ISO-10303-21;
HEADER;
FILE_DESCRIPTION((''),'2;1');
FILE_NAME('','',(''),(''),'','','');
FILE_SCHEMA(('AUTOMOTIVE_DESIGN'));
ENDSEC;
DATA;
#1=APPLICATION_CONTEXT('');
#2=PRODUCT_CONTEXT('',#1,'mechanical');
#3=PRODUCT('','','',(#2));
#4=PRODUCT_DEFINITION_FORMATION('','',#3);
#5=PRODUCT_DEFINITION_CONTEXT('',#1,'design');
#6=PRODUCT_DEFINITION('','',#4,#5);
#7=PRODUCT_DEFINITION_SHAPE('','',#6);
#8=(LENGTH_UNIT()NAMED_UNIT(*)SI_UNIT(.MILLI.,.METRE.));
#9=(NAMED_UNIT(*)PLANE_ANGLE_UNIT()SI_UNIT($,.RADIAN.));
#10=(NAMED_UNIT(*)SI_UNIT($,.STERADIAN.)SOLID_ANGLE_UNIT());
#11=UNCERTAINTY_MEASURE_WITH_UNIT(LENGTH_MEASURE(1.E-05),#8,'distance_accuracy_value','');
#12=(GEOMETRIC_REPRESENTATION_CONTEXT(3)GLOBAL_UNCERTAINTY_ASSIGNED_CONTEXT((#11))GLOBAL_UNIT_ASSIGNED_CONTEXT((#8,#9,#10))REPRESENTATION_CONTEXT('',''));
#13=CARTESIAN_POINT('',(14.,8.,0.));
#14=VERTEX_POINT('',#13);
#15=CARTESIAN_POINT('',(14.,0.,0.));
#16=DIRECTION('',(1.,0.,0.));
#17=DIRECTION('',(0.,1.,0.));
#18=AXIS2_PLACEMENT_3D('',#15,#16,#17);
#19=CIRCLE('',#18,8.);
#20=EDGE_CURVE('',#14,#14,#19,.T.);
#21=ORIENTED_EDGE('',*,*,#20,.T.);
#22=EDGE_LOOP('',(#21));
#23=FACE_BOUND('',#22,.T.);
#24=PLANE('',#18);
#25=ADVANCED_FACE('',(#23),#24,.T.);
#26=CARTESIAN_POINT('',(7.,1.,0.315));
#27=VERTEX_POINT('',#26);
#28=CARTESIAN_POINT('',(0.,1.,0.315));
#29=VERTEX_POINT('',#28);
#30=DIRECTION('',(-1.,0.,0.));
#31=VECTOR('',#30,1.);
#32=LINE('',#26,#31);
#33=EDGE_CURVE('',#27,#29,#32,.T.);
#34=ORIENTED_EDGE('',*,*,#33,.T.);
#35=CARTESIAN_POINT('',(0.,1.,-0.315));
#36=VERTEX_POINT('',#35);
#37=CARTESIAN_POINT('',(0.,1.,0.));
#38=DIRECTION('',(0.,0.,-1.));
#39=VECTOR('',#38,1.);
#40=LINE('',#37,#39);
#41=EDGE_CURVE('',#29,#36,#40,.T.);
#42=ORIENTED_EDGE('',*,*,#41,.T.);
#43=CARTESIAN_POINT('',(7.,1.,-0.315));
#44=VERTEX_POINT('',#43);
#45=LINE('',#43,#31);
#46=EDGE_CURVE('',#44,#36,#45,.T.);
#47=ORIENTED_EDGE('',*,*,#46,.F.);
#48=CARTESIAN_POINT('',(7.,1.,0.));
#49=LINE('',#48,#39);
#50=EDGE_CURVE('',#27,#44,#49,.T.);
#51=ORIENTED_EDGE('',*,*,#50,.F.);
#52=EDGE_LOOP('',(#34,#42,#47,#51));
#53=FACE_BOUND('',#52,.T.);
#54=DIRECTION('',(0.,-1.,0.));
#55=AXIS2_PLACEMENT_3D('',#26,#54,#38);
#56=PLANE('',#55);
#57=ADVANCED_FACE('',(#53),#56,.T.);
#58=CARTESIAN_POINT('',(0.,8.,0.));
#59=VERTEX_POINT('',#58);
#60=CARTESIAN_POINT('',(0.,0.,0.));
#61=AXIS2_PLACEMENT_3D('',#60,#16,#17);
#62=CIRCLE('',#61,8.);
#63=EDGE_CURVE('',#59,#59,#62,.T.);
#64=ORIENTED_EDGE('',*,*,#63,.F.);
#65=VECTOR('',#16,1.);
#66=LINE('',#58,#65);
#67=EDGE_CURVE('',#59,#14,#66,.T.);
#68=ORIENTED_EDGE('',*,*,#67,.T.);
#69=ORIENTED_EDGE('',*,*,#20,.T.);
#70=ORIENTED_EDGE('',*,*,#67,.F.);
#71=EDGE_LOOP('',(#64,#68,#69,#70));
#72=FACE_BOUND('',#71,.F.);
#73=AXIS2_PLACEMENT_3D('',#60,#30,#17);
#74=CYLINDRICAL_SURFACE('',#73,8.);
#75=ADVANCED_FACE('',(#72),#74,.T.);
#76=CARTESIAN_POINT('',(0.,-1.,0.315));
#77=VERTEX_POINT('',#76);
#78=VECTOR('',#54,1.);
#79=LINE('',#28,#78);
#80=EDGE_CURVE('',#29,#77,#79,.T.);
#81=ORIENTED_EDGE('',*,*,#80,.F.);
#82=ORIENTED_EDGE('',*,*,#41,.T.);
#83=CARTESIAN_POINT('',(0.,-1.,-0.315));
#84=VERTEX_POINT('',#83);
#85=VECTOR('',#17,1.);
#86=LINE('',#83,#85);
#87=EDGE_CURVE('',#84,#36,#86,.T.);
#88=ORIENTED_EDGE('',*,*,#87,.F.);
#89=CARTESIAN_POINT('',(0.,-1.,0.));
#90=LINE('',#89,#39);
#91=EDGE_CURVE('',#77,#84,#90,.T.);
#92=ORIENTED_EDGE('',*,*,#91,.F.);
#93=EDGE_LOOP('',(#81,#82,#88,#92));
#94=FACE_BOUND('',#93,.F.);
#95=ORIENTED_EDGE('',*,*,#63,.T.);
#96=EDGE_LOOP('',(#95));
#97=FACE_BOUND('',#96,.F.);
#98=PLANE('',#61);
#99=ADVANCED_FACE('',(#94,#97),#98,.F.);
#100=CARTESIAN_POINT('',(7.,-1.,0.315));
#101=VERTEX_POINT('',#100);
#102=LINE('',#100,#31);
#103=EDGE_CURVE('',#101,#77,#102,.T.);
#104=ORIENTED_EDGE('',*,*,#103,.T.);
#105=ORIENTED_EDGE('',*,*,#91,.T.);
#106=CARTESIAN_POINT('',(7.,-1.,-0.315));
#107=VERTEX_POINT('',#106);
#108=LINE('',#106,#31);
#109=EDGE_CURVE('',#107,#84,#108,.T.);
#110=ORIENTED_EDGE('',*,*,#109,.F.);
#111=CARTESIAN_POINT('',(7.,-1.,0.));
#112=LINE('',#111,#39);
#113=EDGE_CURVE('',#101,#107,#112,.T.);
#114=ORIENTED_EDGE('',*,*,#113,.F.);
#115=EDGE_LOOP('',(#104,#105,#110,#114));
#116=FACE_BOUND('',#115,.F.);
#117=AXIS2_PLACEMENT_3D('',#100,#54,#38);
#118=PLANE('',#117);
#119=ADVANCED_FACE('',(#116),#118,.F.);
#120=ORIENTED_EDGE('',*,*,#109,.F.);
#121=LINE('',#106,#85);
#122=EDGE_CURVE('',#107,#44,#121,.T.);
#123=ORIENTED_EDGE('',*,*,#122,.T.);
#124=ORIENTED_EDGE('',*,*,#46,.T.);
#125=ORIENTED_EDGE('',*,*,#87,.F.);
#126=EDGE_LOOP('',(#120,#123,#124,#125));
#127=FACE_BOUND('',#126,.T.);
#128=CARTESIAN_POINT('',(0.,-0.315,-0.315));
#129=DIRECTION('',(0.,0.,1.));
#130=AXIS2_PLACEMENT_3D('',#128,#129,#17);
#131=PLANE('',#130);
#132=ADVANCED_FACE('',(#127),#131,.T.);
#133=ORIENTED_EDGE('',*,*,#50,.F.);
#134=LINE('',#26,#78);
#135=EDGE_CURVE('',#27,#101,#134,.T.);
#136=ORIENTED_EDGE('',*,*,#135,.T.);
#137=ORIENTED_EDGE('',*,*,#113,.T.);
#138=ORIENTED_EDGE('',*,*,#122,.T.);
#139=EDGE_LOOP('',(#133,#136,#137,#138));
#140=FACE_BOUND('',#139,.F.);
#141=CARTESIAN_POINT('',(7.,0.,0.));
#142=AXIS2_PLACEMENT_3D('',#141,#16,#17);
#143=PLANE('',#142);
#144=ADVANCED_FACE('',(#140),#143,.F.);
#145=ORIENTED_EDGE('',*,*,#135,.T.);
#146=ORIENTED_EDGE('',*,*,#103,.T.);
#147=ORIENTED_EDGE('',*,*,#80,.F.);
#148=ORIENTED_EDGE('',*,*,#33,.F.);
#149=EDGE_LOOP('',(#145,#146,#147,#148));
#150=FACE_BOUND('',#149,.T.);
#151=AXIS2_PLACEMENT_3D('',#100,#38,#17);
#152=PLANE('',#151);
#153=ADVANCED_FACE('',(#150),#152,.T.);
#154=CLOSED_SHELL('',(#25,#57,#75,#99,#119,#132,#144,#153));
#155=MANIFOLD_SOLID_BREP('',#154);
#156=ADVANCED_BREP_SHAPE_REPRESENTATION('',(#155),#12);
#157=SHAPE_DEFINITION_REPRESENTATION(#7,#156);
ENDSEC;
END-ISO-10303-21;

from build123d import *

# Parameters (mm, degrees)
F0_R     = 8
F1_DEPTH = 14
F2_W     = 0.63
F2_H     = 0.63
F3_DEPTH = 7
F6_W     = 0.685
F6_H     = 0.63
F6_W_2   = 0.63
F7_DEPTH = 7


with BuildPart() as f1:
    # F0 (on Right) → F1 (new body)
    with BuildSketch(Plane.YZ):
        Circle(F0_R)
    extrude(amount=F1_DEPTH)

    # F2 (on Right) → F3 (cut)
    with BuildSketch(Plane.YZ):
        Rectangle(F2_W, F2_H)
    extrude(amount=F3_DEPTH, mode=Mode.SUBTRACT)

    # F6 (on offset) → F7 (cut)
    with BuildSketch(Plane(origin=(7, 0, 0), x_dir=(0, 1, 0), z_dir=(-1, 0, 0))):
        with Locations((-0.6575, 0)):
            Rectangle(F6_W, F6_H)
        Rectangle(F6_W_2, F6_H)
        with Locations((0.6575, 0)):
            Rectangle(F6_W, F6_H)
    extrude(amount=F7_DEPTH, mode=Mode.SUBTRACT)


solid = f1.part
